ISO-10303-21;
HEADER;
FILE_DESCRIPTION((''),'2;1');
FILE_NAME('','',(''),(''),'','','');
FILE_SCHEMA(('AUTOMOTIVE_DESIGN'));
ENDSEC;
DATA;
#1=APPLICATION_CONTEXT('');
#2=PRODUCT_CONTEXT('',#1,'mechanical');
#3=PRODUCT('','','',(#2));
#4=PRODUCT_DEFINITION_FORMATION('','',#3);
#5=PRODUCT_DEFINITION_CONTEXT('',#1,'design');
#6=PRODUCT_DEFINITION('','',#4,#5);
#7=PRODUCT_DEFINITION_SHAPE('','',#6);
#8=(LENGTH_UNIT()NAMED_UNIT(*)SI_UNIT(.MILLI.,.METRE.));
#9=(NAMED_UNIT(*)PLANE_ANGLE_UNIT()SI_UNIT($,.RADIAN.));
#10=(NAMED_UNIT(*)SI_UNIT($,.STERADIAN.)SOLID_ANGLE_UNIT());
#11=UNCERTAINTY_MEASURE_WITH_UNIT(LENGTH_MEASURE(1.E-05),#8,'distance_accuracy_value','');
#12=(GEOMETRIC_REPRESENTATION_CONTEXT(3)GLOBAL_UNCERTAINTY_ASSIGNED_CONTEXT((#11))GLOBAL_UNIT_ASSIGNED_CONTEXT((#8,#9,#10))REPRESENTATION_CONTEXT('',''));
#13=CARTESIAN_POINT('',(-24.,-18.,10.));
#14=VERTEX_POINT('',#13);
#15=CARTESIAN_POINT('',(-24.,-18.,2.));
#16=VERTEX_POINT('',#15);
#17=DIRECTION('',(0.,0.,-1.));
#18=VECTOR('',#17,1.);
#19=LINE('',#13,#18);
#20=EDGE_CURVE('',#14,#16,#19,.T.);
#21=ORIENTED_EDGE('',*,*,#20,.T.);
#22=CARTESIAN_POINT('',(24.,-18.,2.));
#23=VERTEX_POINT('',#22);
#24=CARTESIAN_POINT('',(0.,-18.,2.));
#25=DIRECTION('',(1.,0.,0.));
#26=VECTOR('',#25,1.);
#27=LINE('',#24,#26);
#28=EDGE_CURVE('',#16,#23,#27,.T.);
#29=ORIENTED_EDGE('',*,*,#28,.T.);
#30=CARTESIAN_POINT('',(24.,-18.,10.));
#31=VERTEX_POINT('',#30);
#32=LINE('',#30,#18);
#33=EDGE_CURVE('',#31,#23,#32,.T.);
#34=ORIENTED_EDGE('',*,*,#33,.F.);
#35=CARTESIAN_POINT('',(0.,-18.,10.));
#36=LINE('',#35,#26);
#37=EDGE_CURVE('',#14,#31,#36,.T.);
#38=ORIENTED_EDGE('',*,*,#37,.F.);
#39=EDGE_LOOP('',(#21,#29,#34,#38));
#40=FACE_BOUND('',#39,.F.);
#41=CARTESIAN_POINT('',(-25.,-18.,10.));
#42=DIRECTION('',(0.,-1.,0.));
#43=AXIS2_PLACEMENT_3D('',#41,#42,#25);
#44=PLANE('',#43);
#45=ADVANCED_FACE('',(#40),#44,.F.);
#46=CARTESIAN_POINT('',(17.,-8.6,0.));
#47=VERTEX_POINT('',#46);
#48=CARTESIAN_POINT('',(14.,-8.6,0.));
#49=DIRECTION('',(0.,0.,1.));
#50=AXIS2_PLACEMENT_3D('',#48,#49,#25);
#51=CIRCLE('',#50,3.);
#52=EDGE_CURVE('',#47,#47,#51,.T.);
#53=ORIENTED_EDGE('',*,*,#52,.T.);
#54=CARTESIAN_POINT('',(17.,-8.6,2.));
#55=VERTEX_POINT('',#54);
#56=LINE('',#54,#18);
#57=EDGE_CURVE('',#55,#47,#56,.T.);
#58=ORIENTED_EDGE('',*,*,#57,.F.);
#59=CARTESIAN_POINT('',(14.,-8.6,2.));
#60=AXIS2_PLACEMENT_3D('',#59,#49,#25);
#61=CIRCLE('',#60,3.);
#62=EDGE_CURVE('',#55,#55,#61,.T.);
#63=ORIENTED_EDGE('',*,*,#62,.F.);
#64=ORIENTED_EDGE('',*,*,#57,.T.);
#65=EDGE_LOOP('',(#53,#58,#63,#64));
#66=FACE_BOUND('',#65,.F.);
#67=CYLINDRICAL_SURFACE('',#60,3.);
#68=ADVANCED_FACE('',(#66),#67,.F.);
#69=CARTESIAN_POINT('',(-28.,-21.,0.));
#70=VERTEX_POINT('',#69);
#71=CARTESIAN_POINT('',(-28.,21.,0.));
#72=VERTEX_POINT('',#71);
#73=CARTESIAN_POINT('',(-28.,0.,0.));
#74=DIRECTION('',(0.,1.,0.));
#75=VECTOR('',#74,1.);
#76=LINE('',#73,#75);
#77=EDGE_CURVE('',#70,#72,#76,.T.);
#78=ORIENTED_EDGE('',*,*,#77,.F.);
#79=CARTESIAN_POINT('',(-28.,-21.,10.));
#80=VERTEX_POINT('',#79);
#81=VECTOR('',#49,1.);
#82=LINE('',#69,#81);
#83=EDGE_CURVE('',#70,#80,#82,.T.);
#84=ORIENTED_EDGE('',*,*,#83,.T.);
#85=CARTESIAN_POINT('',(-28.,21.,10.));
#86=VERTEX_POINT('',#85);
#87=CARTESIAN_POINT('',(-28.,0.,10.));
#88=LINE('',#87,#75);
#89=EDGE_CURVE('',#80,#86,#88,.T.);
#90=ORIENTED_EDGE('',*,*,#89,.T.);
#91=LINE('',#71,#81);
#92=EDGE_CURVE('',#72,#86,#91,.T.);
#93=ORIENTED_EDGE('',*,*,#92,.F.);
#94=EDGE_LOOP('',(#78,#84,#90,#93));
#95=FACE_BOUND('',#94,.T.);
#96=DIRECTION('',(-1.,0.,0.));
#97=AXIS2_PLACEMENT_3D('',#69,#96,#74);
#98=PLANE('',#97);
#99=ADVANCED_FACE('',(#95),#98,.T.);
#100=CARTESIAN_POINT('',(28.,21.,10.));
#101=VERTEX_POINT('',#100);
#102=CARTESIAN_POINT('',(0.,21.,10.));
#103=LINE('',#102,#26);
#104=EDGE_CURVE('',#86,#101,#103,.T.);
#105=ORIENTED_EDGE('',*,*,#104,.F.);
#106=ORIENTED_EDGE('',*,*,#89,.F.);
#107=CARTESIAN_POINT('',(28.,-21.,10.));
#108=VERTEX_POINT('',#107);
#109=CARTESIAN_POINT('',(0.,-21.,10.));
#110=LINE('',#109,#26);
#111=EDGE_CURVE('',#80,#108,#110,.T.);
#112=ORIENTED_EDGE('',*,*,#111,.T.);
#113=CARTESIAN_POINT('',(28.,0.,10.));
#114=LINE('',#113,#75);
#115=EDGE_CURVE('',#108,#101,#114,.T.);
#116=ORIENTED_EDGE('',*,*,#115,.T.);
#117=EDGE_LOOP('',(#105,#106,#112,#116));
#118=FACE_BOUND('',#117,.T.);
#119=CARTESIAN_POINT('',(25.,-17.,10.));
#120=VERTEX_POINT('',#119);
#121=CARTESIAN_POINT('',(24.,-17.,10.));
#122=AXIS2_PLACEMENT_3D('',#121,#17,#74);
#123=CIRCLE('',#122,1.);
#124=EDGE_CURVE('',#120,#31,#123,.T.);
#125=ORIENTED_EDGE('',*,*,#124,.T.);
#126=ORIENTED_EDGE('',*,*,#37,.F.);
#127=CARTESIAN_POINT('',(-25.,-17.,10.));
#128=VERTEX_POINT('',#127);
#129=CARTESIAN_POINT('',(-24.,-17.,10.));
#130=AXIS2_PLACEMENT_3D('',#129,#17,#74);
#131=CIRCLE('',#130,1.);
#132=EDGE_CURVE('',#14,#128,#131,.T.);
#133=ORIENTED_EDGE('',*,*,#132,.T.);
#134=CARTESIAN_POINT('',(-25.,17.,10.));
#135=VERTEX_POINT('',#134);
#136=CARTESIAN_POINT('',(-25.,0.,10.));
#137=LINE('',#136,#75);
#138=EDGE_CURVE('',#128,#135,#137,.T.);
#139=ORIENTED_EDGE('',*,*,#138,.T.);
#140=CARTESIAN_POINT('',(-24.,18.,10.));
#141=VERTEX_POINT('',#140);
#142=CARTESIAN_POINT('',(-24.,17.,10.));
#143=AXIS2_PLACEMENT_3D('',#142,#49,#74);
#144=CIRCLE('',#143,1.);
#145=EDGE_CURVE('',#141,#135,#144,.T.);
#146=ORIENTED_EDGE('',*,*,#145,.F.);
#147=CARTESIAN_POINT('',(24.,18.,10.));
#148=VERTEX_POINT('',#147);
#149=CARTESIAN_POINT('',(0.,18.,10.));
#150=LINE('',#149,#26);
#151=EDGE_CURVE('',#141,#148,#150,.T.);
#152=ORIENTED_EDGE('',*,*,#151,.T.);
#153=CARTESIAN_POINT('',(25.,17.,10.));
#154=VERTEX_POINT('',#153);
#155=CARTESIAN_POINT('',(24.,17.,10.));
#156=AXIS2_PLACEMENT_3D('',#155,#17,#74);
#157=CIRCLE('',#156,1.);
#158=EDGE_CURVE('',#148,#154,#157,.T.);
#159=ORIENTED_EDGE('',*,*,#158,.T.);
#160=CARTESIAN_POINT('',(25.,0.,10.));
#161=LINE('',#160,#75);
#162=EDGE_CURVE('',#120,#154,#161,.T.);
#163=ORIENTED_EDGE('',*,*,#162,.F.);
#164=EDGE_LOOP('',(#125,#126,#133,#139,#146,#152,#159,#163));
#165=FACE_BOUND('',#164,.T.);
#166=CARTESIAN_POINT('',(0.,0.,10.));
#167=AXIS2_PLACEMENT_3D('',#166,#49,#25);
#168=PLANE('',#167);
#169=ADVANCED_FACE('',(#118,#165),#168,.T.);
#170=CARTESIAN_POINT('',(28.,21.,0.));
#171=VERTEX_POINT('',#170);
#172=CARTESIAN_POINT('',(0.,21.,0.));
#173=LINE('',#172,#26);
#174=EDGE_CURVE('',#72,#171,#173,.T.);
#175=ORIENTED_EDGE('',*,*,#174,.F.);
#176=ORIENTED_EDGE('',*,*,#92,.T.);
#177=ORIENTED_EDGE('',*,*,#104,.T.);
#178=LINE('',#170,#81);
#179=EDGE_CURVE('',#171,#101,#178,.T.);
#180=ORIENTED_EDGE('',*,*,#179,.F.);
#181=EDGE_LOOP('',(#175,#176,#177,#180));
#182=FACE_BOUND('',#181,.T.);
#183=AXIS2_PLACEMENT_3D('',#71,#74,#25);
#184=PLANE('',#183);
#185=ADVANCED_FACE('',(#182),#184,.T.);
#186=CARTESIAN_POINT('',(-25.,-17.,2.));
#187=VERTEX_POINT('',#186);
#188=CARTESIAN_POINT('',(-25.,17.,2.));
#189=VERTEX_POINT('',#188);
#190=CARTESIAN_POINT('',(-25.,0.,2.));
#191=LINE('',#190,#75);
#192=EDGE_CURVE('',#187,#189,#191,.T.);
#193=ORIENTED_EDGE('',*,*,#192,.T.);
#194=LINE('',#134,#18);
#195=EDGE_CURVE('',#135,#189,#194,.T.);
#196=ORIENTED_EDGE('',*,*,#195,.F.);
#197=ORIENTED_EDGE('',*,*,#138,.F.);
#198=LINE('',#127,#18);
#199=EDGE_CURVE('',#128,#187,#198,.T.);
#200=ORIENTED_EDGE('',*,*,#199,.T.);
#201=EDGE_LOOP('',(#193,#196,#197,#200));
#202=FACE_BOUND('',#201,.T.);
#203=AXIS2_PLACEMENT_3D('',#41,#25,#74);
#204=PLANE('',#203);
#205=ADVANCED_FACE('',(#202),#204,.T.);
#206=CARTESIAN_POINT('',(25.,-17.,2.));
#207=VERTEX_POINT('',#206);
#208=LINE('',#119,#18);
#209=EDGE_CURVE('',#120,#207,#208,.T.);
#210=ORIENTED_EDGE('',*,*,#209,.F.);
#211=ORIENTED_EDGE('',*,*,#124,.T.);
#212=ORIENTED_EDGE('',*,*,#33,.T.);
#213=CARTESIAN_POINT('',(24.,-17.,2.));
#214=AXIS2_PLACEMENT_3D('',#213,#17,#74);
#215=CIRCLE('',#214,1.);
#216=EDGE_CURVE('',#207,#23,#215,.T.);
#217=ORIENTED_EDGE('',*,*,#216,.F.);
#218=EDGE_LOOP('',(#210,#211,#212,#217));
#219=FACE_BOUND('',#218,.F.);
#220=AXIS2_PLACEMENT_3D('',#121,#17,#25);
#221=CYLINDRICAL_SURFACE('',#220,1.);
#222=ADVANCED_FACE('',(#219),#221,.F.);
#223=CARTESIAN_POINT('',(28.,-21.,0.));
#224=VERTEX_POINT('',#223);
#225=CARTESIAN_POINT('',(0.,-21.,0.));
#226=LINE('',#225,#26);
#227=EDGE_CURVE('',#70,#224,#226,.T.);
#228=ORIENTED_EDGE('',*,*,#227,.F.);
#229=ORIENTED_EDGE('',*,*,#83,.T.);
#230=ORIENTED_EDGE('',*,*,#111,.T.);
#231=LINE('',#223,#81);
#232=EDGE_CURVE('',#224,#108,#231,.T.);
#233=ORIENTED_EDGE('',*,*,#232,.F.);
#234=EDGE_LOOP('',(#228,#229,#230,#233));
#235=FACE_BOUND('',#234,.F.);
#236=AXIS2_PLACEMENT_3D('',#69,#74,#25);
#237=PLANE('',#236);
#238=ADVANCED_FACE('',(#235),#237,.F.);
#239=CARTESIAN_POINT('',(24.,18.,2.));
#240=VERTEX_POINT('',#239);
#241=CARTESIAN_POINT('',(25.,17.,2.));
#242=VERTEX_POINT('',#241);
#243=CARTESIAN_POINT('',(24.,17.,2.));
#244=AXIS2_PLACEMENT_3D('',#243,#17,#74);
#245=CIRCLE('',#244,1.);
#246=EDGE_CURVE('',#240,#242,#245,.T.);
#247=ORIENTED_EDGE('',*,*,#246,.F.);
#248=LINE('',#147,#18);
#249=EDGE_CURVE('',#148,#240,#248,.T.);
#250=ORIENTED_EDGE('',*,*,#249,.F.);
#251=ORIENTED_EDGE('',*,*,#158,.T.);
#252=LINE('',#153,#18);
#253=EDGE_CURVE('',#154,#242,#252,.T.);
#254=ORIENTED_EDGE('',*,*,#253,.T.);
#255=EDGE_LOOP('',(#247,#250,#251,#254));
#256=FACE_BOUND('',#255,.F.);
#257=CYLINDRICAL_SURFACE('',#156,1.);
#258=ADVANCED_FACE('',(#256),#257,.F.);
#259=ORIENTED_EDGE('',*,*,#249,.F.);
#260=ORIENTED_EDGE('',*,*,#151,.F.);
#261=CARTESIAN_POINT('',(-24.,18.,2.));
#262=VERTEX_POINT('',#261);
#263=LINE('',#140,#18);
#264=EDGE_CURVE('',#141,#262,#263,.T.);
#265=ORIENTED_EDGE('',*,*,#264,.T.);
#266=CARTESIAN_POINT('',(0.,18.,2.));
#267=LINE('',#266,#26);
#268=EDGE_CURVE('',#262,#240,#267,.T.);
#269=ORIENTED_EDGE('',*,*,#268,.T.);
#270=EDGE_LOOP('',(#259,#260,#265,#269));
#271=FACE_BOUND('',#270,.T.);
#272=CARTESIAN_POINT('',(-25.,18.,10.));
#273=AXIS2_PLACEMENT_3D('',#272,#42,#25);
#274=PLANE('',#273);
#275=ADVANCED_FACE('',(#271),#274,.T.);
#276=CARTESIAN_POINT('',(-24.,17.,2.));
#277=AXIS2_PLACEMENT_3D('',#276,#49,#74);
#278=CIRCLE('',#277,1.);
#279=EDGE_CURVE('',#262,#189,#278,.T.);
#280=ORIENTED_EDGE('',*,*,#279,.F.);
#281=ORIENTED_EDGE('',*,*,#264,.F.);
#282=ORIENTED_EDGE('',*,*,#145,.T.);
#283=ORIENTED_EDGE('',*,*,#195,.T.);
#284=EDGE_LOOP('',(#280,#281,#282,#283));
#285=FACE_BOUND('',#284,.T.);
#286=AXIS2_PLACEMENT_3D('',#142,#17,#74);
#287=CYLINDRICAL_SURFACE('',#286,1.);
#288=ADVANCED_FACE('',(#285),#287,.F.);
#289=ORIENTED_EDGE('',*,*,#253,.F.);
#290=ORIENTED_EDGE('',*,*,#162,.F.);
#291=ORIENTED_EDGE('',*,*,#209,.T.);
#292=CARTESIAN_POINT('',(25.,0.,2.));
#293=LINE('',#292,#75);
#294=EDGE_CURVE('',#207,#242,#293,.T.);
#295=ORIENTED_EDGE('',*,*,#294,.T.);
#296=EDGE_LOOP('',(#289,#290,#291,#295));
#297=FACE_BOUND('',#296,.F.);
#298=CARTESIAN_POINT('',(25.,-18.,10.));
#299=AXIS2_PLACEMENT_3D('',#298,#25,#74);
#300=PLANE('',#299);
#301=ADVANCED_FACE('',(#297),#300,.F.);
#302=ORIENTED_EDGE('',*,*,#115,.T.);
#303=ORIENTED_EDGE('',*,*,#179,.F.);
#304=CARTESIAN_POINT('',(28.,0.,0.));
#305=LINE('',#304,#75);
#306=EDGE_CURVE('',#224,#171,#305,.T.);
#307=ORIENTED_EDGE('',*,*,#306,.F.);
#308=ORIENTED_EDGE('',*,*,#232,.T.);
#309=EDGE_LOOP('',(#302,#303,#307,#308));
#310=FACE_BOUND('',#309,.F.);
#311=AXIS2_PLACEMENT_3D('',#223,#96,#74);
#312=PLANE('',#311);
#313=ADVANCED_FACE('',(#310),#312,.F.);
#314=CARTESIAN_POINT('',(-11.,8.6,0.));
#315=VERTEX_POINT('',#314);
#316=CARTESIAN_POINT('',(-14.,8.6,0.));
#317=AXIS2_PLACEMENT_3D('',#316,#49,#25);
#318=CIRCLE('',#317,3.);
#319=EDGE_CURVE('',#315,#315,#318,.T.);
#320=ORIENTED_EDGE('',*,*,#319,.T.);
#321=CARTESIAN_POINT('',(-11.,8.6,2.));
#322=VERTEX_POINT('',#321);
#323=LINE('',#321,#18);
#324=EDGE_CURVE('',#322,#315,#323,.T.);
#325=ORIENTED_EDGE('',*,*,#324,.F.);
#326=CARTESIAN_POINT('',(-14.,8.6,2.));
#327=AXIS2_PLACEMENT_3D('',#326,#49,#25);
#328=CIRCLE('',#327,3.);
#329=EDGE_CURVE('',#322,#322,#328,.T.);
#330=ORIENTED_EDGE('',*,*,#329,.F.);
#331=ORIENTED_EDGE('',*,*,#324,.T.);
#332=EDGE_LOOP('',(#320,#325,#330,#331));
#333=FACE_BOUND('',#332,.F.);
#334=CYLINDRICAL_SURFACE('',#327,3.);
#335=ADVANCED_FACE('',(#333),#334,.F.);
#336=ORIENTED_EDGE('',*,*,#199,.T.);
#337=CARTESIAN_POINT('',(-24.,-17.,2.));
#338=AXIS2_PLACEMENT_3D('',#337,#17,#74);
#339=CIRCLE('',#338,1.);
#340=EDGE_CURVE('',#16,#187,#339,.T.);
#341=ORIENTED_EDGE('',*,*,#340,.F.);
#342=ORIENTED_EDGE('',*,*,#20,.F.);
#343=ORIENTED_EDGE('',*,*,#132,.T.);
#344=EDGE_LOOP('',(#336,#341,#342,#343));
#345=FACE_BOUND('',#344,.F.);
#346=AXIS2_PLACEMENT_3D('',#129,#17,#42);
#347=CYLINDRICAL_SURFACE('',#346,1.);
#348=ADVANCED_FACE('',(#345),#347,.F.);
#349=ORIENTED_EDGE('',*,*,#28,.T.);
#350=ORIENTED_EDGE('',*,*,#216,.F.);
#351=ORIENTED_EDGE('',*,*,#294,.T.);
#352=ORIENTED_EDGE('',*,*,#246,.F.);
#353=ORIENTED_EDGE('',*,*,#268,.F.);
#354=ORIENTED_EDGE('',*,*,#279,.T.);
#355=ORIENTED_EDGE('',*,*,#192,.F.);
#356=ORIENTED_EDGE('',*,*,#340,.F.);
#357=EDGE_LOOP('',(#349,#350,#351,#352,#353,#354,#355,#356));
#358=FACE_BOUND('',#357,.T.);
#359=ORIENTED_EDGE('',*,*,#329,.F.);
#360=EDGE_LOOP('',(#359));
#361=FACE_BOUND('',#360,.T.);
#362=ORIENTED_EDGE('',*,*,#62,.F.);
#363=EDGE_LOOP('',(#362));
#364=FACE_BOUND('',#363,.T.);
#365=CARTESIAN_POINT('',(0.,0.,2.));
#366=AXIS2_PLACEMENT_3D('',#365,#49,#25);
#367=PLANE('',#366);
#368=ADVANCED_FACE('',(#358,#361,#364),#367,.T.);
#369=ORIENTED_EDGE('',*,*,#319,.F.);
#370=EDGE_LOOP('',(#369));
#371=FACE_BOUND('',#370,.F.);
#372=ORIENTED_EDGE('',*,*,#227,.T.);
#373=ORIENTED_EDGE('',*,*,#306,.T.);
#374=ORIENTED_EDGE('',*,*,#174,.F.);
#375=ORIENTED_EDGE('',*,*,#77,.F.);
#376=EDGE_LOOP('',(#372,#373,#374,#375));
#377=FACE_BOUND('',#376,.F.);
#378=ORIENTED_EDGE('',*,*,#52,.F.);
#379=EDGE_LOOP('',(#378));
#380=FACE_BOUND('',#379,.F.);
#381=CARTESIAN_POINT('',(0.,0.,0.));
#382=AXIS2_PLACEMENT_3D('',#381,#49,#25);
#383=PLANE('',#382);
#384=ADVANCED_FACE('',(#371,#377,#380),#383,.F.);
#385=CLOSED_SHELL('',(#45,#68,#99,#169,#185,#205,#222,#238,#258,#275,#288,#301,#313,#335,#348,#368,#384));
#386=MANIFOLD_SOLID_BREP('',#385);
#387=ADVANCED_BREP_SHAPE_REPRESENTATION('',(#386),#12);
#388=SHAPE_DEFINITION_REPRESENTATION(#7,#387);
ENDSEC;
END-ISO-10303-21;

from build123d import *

# Parameters (mm, degrees)
SKETCH_W     = 56
SKETCH_H     = 42
PAD_DEPTH    = 10
SKETCH002_W  = 50
SKETCH002_H  = 36
POCKET_DEPTH = 8
FILLET_R     = 1
FILLET001_R  = 1
FILLET002_R  = 1
FILLET003_R  = 1
SKETCH003_R  = 3
HOLE_DEPTH   = 25


with BuildPart() as part:
    # Sketch → Pad (new body)
    with BuildSketch(Plane.XY):
        Rectangle(SKETCH_W, SKETCH_H)
    extrude(amount=PAD_DEPTH)

    # Sketch002 (on Face6 of Pad) → Pocket (cut)
    with BuildSketch(Plane.XY.offset(10)):
        Rectangle(SKETCH002_W, SKETCH002_H)
    extrude(amount=-POCKET_DEPTH, mode=Mode.SUBTRACT)

    # Fillet
    fillet_edges = [part.edges().sort_by_distance(p)[0] for p in [
        (-25, 18, 6),
    ]]
    fillet(fillet_edges, radius=FILLET_R)

    # Fillet001
    fillet001_edges = [part.edges().sort_by_distance(p)[0] for p in [
        (25, 18, 6),
    ]]
    fillet(fillet001_edges, radius=FILLET001_R)

    # Fillet002
    fillet002_edges = [part.edges().sort_by_distance(p)[0] for p in [
        (25, -18, 6),
    ]]
    fillet(fillet002_edges, radius=FILLET002_R)

    # Fillet003
    fillet003_edges = [part.edges().sort_by_distance(p)[0] for p in [
        (-25, -18, 6),
    ]]
    fillet(fillet003_edges, radius=FILLET003_R)

    # Sketch003 (on Face14 of Fillet003) → Hole (cut)
    with BuildSketch(Plane.XY.offset(2)):
        with Locations((-14, 8.6)):
            Circle(SKETCH003_R)
        with Locations((14, -8.6)):
            Circle(SKETCH003_R)
    extrude(amount=-HOLE_DEPTH, mode=Mode.SUBTRACT)


solid = part.part
